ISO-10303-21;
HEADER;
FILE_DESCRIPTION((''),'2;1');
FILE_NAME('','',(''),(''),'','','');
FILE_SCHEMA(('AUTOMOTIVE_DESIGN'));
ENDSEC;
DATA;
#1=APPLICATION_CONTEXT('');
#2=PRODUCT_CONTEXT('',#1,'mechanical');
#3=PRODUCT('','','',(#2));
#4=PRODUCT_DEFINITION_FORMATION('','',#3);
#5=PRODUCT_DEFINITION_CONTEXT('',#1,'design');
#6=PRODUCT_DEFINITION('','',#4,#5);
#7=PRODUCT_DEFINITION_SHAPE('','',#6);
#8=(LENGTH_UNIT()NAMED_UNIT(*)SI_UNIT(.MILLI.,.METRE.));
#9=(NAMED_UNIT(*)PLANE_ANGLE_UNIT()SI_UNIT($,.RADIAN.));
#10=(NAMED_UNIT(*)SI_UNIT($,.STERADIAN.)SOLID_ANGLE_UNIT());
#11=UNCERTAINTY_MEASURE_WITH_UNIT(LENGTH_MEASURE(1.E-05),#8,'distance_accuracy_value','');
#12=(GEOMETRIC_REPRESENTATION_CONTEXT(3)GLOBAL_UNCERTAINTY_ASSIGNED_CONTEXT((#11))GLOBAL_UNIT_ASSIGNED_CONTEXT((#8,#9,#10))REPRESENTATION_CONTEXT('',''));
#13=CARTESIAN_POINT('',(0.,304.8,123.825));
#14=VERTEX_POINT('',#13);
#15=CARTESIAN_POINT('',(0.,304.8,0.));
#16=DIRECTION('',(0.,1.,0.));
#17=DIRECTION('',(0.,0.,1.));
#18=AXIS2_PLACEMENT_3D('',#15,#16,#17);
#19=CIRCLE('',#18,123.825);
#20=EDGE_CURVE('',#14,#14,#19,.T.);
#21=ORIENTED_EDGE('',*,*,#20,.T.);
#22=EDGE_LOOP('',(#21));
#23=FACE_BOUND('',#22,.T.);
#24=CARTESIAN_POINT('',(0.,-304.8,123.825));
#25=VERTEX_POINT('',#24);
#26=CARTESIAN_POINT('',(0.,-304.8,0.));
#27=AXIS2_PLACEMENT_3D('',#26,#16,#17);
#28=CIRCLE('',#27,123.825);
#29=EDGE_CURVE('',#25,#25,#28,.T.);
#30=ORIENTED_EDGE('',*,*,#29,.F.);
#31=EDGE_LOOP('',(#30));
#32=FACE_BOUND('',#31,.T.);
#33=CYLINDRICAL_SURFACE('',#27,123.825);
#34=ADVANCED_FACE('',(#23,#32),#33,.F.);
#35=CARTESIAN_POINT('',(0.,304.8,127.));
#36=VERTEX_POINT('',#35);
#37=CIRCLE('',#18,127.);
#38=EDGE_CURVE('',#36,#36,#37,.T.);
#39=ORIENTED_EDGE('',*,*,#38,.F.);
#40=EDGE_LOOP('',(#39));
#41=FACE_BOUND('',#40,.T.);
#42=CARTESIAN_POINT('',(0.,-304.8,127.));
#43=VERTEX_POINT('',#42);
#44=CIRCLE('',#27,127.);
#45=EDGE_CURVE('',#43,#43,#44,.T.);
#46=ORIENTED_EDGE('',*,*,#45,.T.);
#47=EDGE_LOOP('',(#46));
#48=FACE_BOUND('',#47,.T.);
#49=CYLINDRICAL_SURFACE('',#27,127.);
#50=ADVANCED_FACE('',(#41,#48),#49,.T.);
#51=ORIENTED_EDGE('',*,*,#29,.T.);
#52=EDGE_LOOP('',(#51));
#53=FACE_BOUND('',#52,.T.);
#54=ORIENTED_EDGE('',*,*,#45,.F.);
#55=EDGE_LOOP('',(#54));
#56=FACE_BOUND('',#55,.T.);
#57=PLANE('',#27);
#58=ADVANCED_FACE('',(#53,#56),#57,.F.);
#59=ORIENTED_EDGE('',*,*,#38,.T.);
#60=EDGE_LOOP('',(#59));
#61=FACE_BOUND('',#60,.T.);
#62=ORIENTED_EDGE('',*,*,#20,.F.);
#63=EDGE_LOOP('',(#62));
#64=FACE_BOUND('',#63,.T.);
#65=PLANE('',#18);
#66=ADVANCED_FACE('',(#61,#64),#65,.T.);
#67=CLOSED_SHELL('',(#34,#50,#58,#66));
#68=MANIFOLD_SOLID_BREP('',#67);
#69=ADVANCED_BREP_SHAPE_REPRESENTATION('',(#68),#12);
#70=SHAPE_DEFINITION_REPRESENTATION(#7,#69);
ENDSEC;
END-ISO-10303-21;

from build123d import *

# Parameters (mm, degrees)
BOSS_EXTRUDE1_DEPTH      = 304.8
BOSS_EXTRUDE1_DEPTH_BACK = 304.8
SKETCH1_R                = 127
SKETCH1_R_2              = 123.825


with BuildPart() as part:
    # Sketch1 → Boss-Extrude1 (new, two sides: drawn at the far end of the back side and taken through both)
    with BuildSketch(Plane(origin=(0, 0, 0), x_dir=(1, 0, 0), z_dir=(0, 1, 0)).offset(-BOSS_EXTRUDE1_DEPTH_BACK)):
        Circle(SKETCH1_R)
        Circle(SKETCH1_R_2, mode=Mode.SUBTRACT)
    extrude(amount=BOSS_EXTRUDE1_DEPTH + BOSS_EXTRUDE1_DEPTH_BACK)


solid = part.part
